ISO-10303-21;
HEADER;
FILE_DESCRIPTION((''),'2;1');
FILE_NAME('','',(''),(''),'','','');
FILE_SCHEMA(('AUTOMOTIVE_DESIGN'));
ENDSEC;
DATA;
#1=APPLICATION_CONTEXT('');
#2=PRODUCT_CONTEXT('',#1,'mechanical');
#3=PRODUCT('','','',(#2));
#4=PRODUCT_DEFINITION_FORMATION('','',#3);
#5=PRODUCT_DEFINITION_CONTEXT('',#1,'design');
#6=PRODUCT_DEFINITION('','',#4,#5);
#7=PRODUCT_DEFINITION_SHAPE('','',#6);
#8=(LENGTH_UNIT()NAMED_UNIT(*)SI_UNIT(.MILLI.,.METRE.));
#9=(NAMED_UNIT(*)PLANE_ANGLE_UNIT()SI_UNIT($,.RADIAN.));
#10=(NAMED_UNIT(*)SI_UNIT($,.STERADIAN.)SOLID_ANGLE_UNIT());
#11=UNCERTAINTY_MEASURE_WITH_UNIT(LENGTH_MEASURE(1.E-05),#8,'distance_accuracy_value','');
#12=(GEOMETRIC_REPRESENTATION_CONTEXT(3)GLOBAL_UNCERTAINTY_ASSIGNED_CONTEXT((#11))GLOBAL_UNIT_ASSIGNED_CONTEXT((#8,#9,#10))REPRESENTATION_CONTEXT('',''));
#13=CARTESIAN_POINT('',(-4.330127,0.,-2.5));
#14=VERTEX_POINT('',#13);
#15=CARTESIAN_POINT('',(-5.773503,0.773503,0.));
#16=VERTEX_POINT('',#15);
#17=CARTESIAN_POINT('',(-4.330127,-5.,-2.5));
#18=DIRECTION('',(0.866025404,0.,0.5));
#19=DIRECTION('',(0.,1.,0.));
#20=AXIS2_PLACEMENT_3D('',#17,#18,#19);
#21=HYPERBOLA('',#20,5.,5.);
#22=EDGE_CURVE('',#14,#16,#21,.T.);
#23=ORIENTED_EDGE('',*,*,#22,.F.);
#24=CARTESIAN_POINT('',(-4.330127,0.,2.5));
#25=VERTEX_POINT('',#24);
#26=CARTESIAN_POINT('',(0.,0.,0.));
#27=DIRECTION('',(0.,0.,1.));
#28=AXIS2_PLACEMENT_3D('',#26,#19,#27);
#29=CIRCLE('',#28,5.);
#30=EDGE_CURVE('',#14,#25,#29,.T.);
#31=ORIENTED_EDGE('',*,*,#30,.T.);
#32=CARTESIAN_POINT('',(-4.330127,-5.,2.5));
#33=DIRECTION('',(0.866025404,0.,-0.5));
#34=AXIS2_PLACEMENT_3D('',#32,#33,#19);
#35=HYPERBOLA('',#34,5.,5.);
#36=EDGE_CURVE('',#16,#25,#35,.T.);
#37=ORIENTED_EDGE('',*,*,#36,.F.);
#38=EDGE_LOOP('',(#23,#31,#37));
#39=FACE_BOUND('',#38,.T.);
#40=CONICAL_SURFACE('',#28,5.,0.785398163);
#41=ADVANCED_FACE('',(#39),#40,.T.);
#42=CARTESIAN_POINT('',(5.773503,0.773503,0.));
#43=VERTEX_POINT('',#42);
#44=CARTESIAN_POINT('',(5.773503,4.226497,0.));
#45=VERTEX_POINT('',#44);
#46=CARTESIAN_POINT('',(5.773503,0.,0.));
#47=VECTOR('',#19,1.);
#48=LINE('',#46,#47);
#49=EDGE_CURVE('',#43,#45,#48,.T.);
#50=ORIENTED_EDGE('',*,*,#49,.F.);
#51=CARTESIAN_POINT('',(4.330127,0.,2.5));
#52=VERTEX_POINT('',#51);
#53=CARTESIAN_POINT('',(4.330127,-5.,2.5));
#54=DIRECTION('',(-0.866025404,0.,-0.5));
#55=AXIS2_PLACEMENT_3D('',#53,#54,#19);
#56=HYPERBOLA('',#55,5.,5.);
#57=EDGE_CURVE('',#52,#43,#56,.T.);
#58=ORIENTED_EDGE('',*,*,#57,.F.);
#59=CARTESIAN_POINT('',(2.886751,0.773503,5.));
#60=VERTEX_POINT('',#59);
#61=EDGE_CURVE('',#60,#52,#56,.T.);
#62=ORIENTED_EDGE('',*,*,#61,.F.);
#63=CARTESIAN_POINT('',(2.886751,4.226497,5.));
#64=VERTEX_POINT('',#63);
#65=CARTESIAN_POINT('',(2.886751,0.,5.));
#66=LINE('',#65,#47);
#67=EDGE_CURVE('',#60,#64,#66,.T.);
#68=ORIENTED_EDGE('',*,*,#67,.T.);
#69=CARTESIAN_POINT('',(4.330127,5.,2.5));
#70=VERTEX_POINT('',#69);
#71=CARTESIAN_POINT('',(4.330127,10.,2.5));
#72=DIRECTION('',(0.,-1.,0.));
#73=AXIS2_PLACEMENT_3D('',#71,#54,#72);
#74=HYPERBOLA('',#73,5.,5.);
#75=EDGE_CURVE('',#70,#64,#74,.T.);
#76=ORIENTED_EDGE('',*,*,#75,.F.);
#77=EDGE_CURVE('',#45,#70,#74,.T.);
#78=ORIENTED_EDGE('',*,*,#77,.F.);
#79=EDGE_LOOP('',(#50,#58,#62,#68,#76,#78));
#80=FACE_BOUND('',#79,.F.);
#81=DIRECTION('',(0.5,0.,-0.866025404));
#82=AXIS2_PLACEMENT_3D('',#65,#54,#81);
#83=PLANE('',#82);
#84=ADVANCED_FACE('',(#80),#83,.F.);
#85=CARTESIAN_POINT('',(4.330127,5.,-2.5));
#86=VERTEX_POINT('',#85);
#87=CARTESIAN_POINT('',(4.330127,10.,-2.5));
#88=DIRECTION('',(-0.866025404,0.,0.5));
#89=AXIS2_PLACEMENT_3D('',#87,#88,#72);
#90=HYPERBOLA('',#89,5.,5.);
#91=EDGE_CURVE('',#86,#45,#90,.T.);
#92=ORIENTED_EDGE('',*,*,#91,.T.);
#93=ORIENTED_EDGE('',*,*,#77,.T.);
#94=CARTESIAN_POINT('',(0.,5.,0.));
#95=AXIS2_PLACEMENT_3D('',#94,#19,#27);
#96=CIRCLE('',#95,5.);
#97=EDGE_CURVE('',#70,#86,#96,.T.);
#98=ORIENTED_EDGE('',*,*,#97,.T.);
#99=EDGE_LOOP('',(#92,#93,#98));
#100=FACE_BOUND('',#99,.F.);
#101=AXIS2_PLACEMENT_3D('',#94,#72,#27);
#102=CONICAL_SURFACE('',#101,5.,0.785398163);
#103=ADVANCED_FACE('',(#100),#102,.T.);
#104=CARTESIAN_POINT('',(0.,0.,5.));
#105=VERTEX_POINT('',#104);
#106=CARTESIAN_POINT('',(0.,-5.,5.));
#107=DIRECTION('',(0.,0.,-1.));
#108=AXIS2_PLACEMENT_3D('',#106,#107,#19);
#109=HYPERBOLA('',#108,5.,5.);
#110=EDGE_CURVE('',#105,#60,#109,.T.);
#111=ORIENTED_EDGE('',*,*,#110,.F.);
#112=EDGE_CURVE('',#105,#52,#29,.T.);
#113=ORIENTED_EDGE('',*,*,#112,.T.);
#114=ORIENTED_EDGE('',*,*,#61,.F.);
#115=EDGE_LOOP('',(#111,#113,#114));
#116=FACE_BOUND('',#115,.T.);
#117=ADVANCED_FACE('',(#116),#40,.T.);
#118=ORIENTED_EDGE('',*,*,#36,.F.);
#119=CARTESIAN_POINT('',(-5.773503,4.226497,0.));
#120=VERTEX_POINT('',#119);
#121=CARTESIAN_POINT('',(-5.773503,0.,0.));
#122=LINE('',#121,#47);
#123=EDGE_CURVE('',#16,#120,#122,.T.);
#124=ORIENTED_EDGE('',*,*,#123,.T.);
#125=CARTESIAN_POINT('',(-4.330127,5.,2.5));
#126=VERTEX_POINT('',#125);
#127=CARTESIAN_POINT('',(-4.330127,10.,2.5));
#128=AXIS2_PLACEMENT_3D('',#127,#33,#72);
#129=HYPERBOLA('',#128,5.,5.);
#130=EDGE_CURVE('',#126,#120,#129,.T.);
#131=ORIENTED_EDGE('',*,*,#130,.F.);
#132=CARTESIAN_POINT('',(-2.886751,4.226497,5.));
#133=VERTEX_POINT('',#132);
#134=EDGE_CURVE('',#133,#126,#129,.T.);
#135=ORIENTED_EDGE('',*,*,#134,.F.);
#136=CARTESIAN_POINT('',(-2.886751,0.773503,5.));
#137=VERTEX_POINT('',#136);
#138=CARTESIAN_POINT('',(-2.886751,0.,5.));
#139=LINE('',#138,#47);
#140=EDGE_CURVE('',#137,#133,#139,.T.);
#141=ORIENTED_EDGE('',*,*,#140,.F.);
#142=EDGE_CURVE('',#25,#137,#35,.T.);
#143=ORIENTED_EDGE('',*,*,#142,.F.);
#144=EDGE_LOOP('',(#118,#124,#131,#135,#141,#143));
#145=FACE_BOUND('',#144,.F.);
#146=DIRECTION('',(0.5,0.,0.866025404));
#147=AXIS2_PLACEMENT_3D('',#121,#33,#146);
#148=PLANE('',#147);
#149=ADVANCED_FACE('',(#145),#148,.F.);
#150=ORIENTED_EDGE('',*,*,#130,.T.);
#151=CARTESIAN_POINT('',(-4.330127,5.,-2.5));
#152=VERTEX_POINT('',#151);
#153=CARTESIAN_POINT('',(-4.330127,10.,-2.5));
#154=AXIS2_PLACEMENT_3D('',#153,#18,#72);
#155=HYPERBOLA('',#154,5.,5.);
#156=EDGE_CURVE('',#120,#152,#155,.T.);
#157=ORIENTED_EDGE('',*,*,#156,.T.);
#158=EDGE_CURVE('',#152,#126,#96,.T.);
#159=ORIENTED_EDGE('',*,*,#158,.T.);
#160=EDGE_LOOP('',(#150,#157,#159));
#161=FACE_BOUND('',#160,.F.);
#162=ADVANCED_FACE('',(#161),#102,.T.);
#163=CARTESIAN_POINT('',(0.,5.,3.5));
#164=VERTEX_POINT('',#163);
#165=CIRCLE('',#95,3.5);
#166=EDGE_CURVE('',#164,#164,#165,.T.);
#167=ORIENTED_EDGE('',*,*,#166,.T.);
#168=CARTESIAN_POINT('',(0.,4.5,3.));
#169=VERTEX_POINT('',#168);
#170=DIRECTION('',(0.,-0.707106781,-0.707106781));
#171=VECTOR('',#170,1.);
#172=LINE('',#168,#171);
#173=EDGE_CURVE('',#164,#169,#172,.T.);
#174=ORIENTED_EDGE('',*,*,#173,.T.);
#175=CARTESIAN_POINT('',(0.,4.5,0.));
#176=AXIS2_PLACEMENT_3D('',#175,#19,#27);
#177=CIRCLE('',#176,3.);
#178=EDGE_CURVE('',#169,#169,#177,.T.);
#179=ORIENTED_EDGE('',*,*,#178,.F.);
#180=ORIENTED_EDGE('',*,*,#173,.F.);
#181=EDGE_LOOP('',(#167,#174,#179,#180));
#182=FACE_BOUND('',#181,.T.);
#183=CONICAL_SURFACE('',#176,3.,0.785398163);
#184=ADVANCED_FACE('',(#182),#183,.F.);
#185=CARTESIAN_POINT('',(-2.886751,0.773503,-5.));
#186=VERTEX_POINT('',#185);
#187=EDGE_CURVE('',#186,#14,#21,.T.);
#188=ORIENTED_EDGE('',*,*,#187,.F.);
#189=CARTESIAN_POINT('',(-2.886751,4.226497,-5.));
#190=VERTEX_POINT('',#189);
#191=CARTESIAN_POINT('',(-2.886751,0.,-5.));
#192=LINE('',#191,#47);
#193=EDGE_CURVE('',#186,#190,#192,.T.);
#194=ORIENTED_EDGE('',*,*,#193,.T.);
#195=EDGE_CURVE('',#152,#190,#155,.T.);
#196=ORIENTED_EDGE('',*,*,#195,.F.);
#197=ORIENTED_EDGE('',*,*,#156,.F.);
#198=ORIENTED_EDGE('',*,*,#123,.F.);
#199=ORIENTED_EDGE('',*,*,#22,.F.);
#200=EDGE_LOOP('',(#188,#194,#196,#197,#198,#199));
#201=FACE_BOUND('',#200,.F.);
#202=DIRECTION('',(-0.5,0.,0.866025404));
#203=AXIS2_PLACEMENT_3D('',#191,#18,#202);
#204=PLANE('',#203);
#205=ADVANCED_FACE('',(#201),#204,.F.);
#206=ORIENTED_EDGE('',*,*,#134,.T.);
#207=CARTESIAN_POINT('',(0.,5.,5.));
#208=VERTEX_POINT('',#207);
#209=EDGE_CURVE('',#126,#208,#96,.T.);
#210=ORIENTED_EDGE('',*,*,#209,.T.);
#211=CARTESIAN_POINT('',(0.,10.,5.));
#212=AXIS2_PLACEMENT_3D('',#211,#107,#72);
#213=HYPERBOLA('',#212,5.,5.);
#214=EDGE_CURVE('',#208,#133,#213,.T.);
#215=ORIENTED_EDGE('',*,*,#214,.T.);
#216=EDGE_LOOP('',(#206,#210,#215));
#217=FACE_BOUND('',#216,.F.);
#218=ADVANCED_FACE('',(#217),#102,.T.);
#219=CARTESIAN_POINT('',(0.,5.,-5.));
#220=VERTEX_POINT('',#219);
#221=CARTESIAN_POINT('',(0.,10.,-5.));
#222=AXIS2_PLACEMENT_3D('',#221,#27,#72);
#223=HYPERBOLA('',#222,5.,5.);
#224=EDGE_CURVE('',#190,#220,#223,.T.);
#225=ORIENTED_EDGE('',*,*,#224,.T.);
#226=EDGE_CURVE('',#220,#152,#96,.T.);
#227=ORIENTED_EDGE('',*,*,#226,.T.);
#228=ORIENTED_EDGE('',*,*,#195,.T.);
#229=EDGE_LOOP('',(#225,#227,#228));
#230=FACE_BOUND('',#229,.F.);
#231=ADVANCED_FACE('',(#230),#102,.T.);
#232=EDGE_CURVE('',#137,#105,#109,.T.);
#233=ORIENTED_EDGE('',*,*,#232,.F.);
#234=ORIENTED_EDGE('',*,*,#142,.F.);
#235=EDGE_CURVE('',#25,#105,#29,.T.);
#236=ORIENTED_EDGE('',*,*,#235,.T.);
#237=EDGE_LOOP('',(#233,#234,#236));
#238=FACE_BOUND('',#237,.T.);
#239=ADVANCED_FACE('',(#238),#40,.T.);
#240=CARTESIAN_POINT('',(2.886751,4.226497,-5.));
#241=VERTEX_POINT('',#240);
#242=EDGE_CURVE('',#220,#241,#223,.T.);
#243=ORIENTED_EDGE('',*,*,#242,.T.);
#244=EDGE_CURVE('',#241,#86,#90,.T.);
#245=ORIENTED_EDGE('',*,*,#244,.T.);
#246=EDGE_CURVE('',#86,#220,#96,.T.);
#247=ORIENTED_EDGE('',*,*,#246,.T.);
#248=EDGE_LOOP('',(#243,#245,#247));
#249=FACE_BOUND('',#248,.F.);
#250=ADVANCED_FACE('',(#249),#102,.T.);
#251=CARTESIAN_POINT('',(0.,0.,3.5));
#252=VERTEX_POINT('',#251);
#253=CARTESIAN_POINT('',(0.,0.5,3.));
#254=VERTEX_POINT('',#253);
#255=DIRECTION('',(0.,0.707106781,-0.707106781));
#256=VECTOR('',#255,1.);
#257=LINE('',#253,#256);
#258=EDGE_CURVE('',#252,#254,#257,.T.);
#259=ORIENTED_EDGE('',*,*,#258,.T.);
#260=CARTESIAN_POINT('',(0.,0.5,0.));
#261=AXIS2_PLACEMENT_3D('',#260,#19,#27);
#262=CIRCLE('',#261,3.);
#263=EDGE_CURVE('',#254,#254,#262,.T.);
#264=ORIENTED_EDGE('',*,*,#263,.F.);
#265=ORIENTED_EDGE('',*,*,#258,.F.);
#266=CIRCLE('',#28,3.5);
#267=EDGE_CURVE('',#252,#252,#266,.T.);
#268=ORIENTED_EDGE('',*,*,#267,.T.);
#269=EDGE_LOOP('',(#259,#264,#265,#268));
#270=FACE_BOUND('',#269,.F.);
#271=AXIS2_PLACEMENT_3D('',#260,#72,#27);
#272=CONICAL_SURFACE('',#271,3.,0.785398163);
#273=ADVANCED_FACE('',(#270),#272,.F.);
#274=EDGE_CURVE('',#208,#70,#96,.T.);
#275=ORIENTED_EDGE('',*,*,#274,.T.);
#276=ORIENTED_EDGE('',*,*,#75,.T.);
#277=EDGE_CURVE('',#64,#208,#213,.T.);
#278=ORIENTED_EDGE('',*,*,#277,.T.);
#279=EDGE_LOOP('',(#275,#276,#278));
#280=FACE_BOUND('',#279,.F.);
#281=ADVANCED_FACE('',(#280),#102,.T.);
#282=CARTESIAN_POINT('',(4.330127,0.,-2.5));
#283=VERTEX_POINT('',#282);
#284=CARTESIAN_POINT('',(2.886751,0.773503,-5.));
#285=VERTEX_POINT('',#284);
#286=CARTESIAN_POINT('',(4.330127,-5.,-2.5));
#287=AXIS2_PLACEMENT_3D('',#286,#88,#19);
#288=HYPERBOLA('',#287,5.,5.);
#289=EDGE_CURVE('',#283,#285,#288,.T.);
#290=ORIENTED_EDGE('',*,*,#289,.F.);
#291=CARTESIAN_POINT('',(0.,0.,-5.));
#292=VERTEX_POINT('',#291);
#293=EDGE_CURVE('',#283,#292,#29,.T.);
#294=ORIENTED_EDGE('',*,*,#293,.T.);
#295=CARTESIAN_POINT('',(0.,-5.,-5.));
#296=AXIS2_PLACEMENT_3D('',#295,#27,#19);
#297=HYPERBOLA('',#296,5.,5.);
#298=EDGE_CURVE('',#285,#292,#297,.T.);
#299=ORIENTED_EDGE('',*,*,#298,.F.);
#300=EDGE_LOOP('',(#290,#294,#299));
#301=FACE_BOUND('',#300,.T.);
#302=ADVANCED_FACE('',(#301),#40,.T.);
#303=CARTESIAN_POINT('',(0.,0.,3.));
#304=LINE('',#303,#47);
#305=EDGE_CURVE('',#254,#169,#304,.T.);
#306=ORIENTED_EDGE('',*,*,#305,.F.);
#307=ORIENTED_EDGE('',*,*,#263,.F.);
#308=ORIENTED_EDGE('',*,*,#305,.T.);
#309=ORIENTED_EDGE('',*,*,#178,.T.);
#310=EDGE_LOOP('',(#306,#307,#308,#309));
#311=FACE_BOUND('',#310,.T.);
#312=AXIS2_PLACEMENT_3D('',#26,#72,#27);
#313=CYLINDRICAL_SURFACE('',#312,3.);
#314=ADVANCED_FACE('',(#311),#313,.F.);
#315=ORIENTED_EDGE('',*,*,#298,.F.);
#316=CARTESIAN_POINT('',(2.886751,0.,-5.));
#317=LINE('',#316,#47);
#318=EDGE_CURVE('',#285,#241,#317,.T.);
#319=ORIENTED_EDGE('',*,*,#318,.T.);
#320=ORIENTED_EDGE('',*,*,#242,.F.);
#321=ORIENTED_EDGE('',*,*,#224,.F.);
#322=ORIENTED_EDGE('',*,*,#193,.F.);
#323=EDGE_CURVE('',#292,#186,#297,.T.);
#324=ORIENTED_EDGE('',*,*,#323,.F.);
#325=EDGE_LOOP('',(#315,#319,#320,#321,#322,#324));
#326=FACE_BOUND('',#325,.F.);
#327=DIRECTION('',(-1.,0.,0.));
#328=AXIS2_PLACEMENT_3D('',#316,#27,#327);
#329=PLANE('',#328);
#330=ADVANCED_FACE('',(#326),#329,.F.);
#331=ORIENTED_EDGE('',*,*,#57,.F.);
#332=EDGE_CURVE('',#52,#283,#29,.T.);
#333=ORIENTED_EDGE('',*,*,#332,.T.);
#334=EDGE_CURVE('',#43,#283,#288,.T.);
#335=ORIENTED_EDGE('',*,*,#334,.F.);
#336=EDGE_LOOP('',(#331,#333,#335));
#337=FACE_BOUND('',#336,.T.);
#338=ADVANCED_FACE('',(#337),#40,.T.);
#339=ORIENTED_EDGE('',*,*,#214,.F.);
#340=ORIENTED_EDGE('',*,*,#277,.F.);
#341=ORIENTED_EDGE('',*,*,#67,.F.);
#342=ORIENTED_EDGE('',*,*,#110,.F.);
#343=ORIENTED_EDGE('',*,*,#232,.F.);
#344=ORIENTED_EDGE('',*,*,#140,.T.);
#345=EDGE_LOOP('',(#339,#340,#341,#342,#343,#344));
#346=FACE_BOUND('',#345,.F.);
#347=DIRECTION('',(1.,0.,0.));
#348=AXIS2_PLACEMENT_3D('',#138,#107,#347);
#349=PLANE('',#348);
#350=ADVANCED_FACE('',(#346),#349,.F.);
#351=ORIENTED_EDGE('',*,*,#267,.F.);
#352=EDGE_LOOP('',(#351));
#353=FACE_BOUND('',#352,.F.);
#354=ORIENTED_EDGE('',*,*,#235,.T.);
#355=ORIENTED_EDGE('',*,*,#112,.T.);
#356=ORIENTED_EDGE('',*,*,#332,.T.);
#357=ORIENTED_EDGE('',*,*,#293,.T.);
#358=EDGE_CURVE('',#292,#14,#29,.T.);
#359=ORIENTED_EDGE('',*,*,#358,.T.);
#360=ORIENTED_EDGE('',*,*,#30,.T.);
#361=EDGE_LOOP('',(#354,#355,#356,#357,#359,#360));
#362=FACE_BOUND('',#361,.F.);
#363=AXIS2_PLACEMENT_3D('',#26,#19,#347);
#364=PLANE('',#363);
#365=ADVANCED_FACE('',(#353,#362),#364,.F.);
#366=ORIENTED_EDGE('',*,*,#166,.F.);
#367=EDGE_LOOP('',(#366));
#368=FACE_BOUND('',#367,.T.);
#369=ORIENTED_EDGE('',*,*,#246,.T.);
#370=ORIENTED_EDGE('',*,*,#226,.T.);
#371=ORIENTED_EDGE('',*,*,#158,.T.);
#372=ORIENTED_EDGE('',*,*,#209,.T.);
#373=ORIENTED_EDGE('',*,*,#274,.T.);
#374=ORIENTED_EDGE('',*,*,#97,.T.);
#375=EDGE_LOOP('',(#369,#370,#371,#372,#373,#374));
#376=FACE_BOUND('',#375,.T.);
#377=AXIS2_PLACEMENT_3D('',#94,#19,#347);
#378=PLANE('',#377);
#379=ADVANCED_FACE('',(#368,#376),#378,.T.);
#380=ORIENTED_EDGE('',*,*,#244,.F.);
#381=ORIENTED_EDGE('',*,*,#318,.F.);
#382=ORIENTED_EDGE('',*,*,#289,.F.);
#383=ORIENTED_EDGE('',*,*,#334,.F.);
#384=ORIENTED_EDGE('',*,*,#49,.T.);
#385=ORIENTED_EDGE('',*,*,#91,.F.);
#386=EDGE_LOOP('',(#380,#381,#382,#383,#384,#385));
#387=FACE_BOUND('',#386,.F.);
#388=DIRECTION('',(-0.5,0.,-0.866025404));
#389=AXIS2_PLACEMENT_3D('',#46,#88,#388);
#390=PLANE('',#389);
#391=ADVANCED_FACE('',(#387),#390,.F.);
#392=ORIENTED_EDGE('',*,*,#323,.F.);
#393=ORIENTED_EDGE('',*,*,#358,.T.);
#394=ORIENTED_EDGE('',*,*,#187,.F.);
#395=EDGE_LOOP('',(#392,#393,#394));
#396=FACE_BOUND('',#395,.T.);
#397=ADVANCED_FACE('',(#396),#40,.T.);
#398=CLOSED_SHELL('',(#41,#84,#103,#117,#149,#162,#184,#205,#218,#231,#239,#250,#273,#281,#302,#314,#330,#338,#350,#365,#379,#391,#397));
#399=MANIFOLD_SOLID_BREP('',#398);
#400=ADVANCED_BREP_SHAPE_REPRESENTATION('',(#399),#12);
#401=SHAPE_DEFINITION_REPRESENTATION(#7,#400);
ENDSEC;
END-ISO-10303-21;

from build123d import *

# Parameters (mm, degrees)
SKETCH1_R           = 3
BOSS_EXTRUDE1_DEPTH = 5
CHAMFER1_SIZE       = 0.5


with BuildPart() as part:
    # Sketch1 → Boss-Extrude1 (new body)
    with BuildSketch(Plane(origin=(0, 0, 0), x_dir=(1, 0, 0), z_dir=(0, 1, 0))):
        Polygon((5.773502692, 0), (2.886751346, 5), (-2.886751346, 5), (-5.773502692, 0), (-2.886751346, -5), (2.886751346, -5), align=None)
        with Locations(Location((0, 0, 0), (0, 0, 270))):
            Circle(SKETCH1_R, mode=Mode.SUBTRACT)
    extrude(amount=BOSS_EXTRUDE1_DEPTH)

    # Sketch3 → Cut-Revolve1 (revolve, cut)
    with BuildSketch(Plane(origin=(0, 0, 0), x_dir=(0, 0, -1), z_dir=(1, 0, 0))):
        Polygon((-5, 0), (-6.5, 1.5), (-6.5, 0), align=None)
        Polygon((-6.5, 5), (-5, 5), (-6.5, 3.5), align=None)
    revolve(axis=Axis((0, 0, 0), (0, 1, 0)), mode=Mode.SUBTRACT)

    # Chamfer1
    chamfer1_edges = [part.edges().sort_by_distance(p)[0] for p in [
        (0, 0, -3),
        (0, 5, -3),
    ]]
    chamfer(chamfer1_edges, length=CHAMFER1_SIZE)


solid = part.part
